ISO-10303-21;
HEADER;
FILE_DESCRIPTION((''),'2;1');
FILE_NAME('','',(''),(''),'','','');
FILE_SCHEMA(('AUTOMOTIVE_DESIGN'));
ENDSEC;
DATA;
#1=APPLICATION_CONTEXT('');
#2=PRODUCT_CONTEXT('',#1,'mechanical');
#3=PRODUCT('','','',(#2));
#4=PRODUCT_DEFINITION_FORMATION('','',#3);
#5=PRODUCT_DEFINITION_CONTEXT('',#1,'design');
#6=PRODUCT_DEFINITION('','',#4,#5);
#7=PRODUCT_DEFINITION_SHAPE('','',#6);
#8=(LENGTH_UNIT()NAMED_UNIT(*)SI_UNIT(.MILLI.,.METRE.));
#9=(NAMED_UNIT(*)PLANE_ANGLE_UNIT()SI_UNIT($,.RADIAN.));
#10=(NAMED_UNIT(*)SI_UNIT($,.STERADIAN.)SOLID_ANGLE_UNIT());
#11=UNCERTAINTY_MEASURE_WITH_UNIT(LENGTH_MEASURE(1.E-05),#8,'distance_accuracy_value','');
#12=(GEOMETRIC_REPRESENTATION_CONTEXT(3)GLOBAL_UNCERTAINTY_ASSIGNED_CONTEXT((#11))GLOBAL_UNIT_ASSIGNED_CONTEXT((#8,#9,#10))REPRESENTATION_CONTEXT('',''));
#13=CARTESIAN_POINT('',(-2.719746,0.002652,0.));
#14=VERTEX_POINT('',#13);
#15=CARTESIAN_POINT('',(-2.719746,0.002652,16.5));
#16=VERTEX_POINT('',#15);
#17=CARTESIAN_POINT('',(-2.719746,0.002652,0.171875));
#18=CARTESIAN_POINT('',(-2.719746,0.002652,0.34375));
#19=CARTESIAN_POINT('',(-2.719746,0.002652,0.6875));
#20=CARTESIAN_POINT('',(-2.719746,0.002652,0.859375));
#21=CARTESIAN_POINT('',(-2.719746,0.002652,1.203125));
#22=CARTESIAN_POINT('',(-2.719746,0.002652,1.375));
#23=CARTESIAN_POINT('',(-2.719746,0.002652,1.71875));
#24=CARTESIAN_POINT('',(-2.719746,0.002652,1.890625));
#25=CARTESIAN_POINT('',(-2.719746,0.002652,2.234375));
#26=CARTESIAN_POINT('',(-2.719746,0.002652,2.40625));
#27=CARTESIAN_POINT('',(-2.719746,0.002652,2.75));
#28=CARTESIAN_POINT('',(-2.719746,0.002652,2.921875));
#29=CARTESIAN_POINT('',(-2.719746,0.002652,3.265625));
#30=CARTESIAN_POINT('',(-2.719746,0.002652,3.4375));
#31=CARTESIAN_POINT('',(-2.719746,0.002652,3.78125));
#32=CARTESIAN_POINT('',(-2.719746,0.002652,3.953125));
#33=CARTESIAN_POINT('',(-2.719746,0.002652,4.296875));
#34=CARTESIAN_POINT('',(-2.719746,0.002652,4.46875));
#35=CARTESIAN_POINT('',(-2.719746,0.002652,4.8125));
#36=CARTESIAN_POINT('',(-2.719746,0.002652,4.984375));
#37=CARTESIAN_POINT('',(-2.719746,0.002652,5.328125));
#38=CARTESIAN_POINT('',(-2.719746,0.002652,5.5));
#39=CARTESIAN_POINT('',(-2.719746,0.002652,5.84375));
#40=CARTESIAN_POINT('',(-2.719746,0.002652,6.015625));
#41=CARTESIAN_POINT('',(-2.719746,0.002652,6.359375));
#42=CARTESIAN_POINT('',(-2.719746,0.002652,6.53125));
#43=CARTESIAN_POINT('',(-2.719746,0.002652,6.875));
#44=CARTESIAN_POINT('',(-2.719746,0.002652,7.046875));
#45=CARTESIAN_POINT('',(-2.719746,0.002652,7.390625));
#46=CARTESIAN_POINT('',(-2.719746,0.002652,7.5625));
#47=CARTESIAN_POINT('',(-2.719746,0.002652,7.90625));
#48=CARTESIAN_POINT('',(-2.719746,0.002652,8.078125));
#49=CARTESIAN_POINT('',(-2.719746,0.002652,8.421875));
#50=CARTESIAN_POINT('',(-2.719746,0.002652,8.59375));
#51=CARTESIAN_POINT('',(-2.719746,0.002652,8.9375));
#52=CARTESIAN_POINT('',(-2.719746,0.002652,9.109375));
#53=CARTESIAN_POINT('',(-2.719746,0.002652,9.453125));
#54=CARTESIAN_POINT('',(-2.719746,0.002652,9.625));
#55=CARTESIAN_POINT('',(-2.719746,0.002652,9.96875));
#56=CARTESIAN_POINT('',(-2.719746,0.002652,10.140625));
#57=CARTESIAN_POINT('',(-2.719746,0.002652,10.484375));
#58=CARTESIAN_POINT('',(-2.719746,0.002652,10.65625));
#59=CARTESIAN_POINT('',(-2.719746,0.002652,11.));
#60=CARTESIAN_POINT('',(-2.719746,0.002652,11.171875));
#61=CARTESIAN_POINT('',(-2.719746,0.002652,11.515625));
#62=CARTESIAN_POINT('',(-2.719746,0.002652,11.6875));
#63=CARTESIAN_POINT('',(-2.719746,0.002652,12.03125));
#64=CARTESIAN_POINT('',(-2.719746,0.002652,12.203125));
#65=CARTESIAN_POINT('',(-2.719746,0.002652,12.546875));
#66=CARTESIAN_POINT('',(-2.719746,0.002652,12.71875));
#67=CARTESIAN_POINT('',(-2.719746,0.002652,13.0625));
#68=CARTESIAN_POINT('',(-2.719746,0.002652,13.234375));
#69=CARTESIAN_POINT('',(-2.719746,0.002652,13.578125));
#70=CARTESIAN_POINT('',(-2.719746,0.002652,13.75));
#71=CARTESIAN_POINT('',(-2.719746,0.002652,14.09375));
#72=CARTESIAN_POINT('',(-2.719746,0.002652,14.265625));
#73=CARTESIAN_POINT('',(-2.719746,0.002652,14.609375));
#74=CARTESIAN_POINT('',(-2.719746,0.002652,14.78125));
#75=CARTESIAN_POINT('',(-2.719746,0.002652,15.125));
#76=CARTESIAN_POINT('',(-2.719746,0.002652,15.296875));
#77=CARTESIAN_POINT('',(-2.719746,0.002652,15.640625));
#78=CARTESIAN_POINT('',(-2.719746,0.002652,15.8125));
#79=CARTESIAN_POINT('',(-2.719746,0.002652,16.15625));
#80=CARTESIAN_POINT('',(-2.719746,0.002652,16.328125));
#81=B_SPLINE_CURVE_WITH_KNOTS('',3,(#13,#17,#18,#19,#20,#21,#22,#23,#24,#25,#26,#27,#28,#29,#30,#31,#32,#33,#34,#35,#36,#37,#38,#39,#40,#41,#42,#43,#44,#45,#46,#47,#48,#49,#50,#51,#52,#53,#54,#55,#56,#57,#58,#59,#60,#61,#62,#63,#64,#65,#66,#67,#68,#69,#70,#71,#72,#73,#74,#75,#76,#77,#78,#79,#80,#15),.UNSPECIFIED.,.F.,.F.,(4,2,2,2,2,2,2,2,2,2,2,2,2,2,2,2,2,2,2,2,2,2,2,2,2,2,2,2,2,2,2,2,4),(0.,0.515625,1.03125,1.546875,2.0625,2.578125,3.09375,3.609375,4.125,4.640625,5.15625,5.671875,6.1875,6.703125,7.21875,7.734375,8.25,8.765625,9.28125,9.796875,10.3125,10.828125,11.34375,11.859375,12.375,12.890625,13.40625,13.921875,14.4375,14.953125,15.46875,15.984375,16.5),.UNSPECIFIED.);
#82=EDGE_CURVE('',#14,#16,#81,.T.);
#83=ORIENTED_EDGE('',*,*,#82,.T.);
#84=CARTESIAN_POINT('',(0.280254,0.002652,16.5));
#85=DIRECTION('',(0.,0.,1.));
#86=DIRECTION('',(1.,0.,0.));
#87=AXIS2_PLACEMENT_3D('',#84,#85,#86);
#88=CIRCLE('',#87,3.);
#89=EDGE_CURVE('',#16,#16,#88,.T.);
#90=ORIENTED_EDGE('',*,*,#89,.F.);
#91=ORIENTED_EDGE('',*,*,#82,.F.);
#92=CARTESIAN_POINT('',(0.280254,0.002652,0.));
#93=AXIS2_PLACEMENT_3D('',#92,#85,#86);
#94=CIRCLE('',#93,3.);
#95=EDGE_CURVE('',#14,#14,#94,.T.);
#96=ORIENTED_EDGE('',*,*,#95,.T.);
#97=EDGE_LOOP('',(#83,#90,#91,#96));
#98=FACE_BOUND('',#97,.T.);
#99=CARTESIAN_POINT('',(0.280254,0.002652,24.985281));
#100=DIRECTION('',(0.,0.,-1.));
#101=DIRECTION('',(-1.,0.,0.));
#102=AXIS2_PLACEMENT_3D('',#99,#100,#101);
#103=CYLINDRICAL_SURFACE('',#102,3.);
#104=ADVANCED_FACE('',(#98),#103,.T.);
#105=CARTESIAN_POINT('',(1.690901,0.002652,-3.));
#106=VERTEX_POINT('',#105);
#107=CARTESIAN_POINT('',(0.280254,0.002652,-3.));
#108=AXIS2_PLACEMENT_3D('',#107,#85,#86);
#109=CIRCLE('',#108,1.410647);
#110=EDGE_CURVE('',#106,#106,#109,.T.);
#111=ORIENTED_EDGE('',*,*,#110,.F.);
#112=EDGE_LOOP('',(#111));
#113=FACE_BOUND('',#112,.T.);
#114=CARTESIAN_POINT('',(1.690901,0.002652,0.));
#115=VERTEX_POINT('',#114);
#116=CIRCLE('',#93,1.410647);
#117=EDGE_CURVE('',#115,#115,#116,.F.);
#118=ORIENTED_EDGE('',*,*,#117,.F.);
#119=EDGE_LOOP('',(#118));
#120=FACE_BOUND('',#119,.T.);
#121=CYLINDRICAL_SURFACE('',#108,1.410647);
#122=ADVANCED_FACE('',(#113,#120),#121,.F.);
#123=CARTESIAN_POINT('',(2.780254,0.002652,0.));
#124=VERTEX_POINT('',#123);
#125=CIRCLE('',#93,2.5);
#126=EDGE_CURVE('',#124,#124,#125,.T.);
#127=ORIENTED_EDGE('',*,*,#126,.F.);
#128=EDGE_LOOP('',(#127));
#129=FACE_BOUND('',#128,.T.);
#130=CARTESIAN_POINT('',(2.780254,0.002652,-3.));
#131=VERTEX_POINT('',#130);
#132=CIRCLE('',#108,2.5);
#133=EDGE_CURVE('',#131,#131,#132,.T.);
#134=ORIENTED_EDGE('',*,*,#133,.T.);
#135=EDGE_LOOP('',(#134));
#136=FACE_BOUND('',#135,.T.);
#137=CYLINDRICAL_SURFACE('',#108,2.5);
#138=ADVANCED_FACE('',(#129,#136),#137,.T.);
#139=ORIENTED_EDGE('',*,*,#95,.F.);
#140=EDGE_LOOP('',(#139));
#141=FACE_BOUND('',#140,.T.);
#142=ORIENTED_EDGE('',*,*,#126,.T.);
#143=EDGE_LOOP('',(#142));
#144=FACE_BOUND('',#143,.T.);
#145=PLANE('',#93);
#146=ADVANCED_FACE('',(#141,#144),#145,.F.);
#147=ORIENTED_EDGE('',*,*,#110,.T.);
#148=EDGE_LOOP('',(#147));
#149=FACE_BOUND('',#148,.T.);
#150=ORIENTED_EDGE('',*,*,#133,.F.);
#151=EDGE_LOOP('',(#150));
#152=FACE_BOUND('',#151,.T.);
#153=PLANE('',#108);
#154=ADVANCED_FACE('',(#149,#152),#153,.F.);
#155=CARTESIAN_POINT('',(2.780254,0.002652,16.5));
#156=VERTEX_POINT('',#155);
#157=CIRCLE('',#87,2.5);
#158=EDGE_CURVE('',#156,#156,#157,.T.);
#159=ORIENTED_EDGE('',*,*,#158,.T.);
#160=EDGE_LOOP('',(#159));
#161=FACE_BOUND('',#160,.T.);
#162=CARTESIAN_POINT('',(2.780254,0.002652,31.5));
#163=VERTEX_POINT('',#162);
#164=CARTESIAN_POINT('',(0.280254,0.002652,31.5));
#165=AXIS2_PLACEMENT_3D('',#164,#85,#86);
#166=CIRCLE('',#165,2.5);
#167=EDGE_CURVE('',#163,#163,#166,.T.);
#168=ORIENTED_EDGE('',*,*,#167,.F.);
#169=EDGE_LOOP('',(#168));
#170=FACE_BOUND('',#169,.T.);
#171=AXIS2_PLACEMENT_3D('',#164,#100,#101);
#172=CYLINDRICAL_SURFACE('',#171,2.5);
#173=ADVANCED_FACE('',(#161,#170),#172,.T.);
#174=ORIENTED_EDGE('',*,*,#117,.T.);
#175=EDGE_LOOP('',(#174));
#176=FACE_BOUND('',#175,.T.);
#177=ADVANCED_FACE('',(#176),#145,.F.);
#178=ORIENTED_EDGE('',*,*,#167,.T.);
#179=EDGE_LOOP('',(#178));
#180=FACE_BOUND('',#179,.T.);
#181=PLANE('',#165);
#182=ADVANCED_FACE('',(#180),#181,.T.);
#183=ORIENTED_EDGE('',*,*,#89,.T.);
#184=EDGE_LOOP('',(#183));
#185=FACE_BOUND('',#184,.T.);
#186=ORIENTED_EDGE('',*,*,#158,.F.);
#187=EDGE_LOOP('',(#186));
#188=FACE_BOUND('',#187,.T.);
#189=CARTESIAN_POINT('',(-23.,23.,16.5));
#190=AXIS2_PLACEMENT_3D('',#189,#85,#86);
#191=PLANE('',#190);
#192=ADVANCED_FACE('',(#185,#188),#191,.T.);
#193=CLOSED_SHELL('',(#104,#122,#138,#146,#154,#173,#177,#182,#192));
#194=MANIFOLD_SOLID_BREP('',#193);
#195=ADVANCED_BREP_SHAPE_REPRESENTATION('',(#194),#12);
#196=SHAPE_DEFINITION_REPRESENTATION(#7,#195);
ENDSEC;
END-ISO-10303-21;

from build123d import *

# Parameters (mm, degrees)
SKETCH_1_R      = 2.5
SKETCH_1_R_2    = 1.410646597
EXTRUDE_1_DEPTH = 3
SKETCH_2_R      = 3
EXTRUDE_2_DEPTH = 16.5
EXTRUDE_START   = 15
SKETCH_3_R      = 2.5
EXTRUDE_3_DEPTH = 15


with BuildPart() as part:
    # Эскиз1 → Бобышка-Вытянуть1 (new body)
    with BuildSketch(Plane.XY):
        with Locations((0.280254447, 0.00265159)):
            Circle(SKETCH_1_R)
        with Locations((0.280254447, 0.00265159)):
            Circle(SKETCH_1_R_2, mode=Mode.SUBTRACT)
    extrude(amount=-EXTRUDE_1_DEPTH)

    # Эскиз2 → Бобышка-Вытянуть2 (add)
    with BuildSketch(Plane.XY):
        with Locations(Location((0.280254447, 0.00265159, 0), (0, 0, 180))):
            Circle(SKETCH_2_R)
    extrude(amount=EXTRUDE_2_DEPTH)

    # Эскиз3 → Бобышка-Вытянуть3 (add)
    with BuildSketch(Plane.XY.offset(16.5).offset(EXTRUDE_START)):
        with Locations((0.280254447, 0.00265159)):
            Circle(SKETCH_3_R)
    extrude(amount=-EXTRUDE_3_DEPTH)


solid = part.part
